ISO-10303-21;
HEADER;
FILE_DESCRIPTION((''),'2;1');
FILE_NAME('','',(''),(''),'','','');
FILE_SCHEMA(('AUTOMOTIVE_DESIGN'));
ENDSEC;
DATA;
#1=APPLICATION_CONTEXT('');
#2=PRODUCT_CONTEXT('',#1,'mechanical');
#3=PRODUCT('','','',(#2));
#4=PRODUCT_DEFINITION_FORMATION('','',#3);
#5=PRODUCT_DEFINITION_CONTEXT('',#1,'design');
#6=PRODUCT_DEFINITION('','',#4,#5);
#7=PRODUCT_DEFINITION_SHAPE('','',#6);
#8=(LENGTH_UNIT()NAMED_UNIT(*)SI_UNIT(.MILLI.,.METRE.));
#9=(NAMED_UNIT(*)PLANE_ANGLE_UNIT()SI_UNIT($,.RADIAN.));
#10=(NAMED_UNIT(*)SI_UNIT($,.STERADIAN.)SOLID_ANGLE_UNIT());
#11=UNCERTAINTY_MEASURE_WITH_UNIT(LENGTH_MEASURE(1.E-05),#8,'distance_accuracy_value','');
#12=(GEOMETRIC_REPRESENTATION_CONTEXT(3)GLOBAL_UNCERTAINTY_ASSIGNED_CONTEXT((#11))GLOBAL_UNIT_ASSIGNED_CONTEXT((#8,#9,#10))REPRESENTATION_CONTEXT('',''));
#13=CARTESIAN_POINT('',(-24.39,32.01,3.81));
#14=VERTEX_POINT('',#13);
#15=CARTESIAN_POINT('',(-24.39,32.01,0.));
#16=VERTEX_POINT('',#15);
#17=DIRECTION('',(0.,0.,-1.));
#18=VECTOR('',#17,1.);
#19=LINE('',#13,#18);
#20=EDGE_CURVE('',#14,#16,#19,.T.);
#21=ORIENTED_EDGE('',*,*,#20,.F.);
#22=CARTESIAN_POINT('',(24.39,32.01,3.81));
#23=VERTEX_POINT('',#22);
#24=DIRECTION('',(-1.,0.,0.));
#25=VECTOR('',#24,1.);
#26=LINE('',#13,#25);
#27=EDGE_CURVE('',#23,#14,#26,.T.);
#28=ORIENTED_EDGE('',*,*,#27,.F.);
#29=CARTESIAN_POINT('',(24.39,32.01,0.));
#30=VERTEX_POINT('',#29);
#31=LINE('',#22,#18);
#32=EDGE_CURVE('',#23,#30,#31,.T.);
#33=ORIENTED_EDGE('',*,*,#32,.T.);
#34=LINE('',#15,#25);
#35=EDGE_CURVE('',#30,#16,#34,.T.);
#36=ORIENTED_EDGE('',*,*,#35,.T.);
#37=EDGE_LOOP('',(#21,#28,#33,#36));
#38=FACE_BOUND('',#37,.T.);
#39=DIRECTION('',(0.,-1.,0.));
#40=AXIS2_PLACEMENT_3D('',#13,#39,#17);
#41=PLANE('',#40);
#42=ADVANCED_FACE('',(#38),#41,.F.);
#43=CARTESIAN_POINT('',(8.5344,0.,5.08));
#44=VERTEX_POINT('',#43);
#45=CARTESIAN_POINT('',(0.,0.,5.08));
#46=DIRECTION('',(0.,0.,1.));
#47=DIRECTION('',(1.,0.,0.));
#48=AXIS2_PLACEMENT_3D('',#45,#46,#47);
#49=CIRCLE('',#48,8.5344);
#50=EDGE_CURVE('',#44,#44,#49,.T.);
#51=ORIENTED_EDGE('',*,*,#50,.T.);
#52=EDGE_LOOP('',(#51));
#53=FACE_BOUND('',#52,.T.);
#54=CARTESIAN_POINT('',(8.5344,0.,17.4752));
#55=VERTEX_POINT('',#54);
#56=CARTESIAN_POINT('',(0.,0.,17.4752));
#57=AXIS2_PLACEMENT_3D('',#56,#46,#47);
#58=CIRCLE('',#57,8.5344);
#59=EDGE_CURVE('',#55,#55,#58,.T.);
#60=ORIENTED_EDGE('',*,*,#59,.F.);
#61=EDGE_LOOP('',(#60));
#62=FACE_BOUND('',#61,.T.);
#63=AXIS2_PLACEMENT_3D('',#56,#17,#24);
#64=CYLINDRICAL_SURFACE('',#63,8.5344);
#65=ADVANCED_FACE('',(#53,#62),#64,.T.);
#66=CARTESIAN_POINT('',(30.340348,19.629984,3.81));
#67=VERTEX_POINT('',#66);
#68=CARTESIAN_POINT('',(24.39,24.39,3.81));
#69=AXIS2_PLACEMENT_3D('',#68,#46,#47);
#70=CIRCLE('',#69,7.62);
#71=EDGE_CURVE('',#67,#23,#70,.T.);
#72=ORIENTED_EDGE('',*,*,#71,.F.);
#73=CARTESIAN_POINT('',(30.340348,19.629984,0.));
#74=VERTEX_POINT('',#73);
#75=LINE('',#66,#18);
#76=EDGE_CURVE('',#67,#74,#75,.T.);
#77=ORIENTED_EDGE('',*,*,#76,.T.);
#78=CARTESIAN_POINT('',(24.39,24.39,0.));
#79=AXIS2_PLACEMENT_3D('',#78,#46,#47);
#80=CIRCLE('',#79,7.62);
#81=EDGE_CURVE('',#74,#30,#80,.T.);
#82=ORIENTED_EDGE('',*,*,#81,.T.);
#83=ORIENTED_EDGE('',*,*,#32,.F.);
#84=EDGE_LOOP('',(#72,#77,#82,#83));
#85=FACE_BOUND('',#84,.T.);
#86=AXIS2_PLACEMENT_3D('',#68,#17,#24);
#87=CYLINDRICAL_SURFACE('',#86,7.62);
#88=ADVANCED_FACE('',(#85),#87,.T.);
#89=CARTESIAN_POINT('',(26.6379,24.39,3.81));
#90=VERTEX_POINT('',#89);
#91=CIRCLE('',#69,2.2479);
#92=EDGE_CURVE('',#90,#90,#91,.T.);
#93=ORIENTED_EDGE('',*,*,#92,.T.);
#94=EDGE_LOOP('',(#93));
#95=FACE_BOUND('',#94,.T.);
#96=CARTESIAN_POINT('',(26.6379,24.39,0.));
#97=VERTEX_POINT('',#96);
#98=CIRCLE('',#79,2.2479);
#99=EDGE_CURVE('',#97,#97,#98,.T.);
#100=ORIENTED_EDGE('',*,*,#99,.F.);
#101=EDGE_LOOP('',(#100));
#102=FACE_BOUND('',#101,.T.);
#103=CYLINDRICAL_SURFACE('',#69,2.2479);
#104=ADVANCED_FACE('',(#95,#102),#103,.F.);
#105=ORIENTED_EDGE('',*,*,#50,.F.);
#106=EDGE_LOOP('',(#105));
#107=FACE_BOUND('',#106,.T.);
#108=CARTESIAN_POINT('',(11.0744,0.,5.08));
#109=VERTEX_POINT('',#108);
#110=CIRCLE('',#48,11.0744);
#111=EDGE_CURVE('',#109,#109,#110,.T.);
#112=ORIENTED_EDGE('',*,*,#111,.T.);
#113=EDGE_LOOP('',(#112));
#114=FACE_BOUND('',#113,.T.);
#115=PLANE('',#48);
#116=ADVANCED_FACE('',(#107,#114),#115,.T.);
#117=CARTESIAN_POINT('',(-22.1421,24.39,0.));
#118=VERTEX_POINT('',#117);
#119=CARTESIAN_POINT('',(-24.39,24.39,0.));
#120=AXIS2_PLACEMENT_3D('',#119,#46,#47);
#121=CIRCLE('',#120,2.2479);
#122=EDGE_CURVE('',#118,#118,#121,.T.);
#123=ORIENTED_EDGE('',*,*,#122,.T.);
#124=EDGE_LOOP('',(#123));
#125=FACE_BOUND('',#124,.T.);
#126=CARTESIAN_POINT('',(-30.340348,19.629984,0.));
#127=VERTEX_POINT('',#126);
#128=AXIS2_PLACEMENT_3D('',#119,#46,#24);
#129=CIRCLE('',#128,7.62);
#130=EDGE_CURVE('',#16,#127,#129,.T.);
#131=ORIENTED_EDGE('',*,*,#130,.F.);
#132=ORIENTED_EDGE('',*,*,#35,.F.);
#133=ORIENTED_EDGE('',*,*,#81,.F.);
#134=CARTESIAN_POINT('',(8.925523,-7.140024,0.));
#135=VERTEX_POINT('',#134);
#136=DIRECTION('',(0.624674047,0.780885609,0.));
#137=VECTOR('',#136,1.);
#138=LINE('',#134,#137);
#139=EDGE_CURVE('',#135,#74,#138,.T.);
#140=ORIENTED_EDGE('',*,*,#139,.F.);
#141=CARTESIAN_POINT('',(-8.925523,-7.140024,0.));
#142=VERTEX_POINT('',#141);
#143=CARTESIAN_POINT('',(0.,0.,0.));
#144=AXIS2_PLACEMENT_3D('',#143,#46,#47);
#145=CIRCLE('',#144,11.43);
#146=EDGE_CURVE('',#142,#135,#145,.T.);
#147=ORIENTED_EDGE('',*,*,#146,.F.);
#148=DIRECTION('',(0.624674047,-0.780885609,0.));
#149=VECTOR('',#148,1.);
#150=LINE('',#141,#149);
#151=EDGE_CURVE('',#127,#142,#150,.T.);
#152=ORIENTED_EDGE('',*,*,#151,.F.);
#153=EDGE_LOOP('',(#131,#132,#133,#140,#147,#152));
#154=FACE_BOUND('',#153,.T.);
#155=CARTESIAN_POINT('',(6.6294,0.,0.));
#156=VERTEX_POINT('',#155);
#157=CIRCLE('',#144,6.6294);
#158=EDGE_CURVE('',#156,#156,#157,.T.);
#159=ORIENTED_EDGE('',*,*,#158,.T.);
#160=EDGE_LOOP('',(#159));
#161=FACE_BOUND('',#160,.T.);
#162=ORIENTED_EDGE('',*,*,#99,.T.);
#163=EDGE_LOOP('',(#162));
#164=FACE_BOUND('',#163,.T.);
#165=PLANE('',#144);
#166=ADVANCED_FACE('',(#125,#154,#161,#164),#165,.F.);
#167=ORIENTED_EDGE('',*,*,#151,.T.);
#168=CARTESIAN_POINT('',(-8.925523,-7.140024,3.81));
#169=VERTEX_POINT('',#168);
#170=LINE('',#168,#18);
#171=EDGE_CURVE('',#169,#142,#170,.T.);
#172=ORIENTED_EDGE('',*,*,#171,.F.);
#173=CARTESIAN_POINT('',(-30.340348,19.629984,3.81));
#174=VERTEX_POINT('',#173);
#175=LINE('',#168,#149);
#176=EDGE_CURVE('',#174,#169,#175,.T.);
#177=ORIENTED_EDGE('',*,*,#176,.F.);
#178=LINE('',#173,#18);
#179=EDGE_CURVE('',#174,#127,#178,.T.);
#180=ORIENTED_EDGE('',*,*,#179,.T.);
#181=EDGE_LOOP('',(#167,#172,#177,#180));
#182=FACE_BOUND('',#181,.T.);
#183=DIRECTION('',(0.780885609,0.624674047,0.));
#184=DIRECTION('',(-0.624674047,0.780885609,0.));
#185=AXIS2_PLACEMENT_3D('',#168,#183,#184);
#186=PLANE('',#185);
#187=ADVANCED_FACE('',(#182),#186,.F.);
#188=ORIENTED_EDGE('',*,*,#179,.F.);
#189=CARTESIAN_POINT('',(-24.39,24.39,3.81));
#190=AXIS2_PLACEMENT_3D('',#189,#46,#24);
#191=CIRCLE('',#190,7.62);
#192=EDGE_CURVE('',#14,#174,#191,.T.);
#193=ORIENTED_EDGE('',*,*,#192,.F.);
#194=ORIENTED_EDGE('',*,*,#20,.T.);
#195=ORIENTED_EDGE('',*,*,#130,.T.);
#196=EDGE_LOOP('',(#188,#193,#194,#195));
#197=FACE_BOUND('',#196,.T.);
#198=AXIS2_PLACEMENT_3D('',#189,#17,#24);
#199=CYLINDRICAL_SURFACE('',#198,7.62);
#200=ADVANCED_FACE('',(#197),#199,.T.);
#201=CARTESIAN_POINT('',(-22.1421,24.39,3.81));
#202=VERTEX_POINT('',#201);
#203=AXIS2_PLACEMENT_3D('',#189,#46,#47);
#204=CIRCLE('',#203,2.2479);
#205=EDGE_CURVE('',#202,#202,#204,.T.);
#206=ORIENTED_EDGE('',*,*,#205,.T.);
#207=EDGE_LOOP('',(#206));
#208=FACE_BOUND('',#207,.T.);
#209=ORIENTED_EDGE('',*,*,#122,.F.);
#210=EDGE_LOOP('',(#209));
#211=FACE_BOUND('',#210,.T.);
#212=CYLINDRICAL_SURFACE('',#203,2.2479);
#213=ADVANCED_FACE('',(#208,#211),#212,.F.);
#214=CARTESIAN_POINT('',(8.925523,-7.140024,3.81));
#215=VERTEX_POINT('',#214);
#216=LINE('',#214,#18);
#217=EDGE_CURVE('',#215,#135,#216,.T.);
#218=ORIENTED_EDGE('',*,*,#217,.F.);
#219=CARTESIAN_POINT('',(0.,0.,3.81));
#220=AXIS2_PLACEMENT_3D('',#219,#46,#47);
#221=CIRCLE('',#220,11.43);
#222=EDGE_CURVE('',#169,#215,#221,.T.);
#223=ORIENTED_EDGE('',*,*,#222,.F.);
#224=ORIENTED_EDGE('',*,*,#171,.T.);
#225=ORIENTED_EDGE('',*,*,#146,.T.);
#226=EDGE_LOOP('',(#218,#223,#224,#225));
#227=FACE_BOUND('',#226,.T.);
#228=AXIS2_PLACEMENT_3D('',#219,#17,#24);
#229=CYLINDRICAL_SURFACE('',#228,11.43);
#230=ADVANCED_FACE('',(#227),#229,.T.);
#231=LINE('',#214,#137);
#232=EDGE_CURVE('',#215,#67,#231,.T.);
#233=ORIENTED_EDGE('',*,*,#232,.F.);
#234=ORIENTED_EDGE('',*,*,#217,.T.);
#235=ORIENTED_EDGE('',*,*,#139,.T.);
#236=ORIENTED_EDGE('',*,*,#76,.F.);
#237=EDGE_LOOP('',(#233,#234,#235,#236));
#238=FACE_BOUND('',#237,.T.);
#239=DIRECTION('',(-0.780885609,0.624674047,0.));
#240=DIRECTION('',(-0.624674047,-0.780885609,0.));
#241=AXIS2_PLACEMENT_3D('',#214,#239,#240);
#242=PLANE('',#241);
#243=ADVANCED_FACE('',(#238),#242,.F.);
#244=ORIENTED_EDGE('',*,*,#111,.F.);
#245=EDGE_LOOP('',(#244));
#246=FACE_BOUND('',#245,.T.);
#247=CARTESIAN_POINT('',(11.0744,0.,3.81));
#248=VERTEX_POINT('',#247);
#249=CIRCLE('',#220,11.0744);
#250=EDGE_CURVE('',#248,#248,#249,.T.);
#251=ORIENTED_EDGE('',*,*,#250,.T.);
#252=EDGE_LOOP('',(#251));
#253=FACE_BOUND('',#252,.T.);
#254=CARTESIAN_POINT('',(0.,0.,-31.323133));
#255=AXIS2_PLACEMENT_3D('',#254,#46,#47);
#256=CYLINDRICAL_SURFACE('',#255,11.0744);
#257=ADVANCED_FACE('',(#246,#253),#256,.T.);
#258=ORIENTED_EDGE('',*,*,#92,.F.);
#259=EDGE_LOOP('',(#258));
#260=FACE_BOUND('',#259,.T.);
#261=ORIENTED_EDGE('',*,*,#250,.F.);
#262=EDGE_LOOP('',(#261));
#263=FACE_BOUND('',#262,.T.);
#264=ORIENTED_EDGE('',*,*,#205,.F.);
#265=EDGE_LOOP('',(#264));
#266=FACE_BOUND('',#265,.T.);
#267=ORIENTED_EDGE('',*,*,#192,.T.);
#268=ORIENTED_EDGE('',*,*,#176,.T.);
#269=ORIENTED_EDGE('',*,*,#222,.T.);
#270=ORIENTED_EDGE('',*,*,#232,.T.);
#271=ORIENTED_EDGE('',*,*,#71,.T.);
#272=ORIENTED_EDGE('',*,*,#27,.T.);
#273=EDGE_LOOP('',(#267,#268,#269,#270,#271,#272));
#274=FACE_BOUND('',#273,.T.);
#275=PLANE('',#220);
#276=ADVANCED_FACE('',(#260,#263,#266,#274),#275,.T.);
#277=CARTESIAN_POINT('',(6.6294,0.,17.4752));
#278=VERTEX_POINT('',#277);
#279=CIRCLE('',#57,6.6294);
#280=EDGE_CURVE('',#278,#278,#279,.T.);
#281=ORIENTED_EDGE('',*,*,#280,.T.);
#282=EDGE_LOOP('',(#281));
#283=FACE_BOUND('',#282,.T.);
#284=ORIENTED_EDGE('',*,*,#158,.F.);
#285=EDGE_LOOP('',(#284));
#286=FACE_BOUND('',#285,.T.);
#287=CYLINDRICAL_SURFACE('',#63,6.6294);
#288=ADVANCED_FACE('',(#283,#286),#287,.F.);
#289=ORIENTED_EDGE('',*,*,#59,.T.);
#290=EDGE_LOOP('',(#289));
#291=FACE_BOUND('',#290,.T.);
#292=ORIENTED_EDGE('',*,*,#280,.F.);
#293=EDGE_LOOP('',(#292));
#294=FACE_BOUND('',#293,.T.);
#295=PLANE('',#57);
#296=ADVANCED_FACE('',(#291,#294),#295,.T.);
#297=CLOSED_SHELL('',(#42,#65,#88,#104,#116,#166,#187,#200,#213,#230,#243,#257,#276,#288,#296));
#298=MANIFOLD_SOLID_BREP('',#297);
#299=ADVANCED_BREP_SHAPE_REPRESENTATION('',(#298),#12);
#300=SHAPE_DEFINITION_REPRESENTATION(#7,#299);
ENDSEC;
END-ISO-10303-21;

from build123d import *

# Parameters (mm, degrees)
BOSS_EXTRUDE1_DEPTH      = 3.81
BOSS_EXTRUDE2_START      = -3.81
SKETCH2_R                = 8.5344
SKETCH2_R_2              = 6.6294
BOSS_EXTRUDE2_DEPTH      = 17.4752
SKETCH4_R                = 6.6294
CUT_EXTRUDE2_DEPTH       = 4.81
SKETCH5_R                = 11.0744
SKETCH5_R_2              = 8.5344
BOSS_EXTRUDE3_DEPTH      = 1.27
BOSS_EXTRUDE3_DEPTH_BACK = 3.81
F_8_CLEARANCE_HOLE1_D    = 4.4958


with BuildPart() as part:
    # Sketch1 → Boss-Extrude1 (new body)
    with BuildSketch(Plane.XY):
        with BuildLine():
            Line((-24.39, 32.01), (24.39, 32.01))
            ThreePointArc((24.39, 32.01), (31.257886274, 27.690990477), (30.340348343, 19.629983761))
            Line((30.340348343, 19.629983761), (8.925522514, -7.140024359))
            ThreePointArc((8.925522514, -7.140024359), (0, -11.43), (-8.925522514, -7.140024359))
            Line((-8.925522514, -7.140024359), (-30.340348343, 19.629983761))
            ThreePointArc((-30.340348343, 19.629983761), (-31.257886274, 27.690990477), (-24.39, 32.01))
        make_face()
    extrude(amount=BOSS_EXTRUDE1_DEPTH)

    # Sketch2 → Boss-Extrude2 (add)
    with BuildSketch(Plane.XY.offset(3.81).offset(BOSS_EXTRUDE2_START)):
        Circle(SKETCH2_R)
        Circle(SKETCH2_R_2, mode=Mode.SUBTRACT)
    extrude(amount=BOSS_EXTRUDE2_DEPTH)

    # Sketch4 → Cut-Extrude2 (cut, through all)
    with BuildSketch(Plane.XY.offset(3.81)):
        Circle(SKETCH4_R)
    extrude(amount=-CUT_EXTRUDE2_DEPTH, mode=Mode.SUBTRACT)

    # Sketch5 → Boss-Extrude3 (add, two sides)
    with BuildSketch(Plane.XY.offset(3.81)) as boss_extrude3_sk:
        Circle(SKETCH5_R)
        Circle(SKETCH5_R_2, mode=Mode.SUBTRACT)
    extrude(amount=BOSS_EXTRUDE3_DEPTH)
    extrude(boss_extrude3_sk.sketch, amount=-BOSS_EXTRUDE3_DEPTH_BACK)

    # #8 Clearance Hole1 (through all)
    with Locations(Plane.XY.offset(3.81)):
        with Locations((-24.39, 24.39), (24.39, 24.39)):
            Hole(F_8_CLEARANCE_HOLE1_D / 2)


solid = part.part
